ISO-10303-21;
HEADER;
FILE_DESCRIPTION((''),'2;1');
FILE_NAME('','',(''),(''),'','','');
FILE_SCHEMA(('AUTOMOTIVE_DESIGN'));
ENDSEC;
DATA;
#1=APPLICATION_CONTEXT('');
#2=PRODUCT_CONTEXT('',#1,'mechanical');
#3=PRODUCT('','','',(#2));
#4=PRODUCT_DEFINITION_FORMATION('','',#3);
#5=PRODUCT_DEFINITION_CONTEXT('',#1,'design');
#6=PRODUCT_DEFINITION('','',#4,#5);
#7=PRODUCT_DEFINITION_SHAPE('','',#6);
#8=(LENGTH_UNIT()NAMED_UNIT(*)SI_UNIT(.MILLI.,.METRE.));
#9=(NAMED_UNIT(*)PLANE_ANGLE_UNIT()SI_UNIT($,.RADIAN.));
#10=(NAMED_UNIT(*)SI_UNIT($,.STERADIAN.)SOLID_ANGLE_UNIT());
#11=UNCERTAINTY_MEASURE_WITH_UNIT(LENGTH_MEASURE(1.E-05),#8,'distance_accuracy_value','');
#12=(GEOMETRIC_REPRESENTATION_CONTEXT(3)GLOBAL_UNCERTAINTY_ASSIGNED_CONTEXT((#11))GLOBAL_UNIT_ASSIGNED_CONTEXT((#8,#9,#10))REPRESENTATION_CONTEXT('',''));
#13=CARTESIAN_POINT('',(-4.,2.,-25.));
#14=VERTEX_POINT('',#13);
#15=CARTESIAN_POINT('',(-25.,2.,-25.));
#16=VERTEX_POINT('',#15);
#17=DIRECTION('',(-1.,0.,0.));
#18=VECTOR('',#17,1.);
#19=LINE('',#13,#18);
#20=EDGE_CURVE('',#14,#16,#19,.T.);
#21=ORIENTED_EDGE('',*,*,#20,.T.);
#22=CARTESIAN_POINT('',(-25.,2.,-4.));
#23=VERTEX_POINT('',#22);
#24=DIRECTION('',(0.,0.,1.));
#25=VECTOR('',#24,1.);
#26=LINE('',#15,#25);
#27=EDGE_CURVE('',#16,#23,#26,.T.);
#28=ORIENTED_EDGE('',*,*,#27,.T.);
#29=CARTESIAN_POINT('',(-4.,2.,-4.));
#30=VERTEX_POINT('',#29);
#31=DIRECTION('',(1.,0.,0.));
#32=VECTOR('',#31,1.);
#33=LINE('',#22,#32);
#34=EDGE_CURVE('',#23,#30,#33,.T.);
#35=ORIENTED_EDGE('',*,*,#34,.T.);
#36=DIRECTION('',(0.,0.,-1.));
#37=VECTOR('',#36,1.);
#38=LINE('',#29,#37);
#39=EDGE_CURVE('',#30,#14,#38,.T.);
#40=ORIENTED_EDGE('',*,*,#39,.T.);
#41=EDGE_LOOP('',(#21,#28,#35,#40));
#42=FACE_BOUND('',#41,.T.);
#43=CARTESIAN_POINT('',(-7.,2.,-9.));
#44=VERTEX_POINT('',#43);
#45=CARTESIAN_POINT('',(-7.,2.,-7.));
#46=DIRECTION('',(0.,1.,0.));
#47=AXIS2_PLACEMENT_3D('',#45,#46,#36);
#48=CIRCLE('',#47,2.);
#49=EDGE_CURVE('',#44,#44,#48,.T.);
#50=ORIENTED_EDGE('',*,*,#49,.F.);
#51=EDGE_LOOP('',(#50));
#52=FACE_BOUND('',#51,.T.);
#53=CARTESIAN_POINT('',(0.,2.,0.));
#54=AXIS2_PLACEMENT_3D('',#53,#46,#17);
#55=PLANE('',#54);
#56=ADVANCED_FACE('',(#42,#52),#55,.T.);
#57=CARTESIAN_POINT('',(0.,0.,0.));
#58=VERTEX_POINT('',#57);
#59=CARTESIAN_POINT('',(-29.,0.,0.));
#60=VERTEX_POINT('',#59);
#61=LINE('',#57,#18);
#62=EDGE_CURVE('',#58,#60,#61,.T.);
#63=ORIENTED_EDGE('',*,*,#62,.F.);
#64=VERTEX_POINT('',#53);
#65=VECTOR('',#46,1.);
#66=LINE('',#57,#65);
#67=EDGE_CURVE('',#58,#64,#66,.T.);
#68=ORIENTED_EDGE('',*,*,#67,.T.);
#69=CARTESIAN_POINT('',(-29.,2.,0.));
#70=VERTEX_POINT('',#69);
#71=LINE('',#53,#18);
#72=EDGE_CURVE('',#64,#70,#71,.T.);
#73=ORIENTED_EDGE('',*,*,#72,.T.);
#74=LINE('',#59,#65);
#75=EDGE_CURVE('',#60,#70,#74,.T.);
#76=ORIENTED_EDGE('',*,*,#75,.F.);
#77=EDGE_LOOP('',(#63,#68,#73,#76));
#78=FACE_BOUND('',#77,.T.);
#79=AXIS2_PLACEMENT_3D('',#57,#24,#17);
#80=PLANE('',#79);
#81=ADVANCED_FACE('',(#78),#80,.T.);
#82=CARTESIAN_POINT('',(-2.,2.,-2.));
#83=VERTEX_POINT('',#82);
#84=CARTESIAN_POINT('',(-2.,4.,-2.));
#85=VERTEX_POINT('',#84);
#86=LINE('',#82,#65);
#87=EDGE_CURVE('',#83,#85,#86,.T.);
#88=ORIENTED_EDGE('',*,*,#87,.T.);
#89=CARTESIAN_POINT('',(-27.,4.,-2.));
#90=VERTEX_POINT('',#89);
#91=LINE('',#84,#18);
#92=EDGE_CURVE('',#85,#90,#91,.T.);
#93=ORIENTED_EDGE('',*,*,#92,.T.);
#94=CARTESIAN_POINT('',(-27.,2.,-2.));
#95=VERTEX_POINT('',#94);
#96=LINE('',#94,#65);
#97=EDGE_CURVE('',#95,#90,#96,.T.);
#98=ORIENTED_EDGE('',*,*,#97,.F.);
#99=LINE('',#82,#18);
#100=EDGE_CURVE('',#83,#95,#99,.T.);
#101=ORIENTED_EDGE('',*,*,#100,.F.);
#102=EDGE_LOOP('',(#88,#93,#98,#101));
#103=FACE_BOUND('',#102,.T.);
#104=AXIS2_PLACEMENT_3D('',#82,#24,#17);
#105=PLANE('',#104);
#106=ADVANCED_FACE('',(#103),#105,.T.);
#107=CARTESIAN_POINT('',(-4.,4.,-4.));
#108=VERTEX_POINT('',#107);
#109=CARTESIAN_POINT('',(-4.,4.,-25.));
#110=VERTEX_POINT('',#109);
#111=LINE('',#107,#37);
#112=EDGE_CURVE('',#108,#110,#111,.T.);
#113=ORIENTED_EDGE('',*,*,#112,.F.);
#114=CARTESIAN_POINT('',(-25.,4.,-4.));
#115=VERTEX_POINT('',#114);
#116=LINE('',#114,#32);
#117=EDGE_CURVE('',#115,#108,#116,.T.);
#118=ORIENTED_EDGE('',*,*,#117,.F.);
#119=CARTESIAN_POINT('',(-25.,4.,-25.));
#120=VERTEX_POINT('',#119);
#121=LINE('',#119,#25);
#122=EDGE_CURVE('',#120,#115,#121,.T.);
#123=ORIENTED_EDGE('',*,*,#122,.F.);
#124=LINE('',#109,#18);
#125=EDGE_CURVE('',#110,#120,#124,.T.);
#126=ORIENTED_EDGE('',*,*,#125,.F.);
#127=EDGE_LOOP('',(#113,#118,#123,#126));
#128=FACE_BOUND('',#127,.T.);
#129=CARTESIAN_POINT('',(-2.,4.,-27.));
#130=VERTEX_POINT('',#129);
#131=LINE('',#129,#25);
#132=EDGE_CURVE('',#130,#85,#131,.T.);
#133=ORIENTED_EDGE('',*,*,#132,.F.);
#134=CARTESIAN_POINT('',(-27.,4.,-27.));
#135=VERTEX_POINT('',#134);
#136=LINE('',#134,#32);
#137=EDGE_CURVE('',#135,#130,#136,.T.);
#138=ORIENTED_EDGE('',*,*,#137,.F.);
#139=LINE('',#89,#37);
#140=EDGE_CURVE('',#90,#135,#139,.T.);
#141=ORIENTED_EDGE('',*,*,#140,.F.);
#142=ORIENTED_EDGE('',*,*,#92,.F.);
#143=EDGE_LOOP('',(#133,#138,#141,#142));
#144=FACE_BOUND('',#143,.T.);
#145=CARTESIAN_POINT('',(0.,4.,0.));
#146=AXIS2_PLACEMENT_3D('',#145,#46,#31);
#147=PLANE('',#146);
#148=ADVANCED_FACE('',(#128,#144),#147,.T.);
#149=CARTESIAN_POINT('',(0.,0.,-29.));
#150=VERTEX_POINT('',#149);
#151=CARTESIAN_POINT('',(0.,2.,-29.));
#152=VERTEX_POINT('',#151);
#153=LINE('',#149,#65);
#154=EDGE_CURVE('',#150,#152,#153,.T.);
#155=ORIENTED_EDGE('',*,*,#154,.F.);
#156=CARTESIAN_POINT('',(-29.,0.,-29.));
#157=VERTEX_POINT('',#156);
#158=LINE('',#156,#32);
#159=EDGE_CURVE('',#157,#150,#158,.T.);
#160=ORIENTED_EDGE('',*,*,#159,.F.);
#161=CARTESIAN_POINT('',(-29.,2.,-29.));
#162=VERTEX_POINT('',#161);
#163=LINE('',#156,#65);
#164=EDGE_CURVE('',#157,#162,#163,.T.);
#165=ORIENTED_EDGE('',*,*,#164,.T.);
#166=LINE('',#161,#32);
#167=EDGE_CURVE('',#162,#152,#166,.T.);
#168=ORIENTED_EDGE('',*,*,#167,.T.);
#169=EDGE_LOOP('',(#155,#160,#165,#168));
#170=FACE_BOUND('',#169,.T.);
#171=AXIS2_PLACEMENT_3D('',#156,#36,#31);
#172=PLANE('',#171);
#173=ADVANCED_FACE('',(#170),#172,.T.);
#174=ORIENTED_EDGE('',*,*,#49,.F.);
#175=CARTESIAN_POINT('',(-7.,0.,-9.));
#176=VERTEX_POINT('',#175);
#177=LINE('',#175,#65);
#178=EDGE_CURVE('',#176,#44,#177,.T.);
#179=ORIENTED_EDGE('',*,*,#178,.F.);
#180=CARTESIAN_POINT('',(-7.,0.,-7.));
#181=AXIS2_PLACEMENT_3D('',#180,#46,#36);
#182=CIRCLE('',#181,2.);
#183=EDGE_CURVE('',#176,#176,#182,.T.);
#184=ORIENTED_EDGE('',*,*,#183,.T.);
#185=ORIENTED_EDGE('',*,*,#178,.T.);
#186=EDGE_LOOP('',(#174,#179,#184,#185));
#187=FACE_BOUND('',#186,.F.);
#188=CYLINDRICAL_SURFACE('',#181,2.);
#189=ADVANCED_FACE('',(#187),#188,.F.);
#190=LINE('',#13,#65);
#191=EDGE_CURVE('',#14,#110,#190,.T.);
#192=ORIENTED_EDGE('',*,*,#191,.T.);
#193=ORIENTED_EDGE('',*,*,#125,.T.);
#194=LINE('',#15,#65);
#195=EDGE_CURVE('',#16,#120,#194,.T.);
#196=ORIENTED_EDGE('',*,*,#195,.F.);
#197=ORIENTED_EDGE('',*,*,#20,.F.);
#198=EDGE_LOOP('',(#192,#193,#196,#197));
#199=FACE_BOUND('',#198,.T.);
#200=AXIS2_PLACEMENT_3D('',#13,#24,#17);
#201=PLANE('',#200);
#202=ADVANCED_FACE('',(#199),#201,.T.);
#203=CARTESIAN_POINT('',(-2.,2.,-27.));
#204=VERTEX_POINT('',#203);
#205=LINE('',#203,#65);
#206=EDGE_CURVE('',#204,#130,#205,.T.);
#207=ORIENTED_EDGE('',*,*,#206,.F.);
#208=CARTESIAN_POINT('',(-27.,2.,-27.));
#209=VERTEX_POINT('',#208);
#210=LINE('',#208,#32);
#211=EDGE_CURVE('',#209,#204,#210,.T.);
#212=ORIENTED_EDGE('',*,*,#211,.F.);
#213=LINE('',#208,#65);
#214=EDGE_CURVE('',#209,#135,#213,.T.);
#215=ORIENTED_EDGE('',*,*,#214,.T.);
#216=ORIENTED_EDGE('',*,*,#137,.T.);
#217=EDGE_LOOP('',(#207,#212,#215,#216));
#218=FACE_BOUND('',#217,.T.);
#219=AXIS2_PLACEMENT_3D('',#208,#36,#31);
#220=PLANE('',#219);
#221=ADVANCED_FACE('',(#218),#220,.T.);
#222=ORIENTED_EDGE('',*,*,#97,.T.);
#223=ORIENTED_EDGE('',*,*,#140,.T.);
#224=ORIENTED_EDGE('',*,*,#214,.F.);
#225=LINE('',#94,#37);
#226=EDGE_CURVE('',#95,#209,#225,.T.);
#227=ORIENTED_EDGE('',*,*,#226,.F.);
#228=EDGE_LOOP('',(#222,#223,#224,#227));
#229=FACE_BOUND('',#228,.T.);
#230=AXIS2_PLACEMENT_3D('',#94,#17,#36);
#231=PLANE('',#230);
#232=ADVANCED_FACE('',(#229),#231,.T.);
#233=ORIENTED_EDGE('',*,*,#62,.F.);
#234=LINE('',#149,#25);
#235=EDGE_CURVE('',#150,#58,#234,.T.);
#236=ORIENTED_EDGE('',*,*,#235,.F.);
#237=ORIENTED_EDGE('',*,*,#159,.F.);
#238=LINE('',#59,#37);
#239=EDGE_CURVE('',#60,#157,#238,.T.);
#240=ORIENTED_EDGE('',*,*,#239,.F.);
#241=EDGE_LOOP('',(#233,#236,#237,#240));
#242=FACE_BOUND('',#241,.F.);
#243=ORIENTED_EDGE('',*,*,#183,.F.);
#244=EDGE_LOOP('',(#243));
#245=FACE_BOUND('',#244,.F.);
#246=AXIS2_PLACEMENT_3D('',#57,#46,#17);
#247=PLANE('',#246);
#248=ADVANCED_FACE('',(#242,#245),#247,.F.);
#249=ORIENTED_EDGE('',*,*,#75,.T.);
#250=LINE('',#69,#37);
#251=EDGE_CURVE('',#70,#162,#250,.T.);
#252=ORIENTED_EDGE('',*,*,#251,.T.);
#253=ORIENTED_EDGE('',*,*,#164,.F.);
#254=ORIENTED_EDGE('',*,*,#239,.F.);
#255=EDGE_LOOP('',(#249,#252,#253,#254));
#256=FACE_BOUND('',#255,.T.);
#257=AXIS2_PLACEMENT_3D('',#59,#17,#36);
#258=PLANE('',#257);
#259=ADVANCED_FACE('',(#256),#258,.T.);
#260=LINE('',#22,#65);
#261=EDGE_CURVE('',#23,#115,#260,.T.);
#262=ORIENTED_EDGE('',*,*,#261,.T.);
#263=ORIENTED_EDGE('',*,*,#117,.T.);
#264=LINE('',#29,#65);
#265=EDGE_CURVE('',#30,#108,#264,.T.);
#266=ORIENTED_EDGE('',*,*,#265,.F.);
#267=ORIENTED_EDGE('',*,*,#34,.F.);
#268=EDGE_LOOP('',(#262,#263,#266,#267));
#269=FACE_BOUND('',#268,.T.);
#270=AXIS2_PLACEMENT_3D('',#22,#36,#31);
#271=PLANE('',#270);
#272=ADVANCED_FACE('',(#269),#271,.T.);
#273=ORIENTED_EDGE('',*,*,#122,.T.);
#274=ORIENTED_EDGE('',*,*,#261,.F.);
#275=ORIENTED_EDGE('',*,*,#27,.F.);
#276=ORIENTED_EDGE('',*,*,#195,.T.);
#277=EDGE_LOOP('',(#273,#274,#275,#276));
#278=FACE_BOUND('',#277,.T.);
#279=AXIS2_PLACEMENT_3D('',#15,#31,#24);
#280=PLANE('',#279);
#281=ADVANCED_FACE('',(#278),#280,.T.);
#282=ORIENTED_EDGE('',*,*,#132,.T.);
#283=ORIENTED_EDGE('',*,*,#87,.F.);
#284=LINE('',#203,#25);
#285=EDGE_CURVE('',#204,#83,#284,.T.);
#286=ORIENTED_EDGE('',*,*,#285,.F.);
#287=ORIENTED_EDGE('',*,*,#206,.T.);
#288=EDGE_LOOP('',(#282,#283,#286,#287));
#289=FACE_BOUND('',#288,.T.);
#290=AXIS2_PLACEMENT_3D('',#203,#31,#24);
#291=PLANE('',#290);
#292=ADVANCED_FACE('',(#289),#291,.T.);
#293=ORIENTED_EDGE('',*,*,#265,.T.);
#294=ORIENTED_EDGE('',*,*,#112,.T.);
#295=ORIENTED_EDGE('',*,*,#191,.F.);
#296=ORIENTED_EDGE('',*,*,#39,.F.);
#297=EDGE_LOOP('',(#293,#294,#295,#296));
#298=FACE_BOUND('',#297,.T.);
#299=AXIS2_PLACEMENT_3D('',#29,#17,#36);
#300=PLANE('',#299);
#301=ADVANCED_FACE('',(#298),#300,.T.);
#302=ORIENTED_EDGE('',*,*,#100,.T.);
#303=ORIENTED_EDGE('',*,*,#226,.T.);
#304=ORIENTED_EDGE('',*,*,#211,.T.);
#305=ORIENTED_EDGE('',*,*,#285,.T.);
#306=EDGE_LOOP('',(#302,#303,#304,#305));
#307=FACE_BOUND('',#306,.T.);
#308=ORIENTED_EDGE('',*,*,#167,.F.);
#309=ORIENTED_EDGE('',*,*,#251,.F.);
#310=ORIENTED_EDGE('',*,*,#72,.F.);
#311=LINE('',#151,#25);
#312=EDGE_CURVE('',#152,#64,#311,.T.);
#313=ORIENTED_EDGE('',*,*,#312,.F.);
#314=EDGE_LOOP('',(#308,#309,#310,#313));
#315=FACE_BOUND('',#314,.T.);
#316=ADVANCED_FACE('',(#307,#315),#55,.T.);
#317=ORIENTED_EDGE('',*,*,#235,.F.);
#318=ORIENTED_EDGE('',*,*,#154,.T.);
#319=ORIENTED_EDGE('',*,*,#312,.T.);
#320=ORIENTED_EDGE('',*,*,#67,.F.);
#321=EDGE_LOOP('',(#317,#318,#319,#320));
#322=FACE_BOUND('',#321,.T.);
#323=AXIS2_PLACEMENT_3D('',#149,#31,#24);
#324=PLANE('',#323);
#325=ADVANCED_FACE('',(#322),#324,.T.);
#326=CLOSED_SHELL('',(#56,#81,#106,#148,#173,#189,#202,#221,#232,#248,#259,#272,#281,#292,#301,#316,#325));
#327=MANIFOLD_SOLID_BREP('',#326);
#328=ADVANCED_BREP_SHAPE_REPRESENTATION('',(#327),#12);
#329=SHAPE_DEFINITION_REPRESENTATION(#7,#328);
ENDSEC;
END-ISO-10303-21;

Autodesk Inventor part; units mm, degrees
ref_plane "YZ Plane" through (0, 0, 0) normal (1, 0, 0) x (0, 1, 0)
ref_plane "XZ Plane" through (0, 0, 0) normal (0, 1, 0) x (-1, 0, 0)
ref_plane "XY Plane" through (0, 0, 0) normal (0, 0, 1) x (1, 0, 0)
sketch "Sketch3" plane through (0, 0, 0) normal (0, 1, 0) x (-1, 0, 0)
  line L0 (0, 0) -> (29, 0)
  line L1 (29, 0) -> (29, -29)
  line L2 (29, -29) -> (0, -29)
  line L3 (0, -29) -> (0, 0)
  dimension "d8" = 29
  dimension "d9" = 29
extrude "Extrusion3" add sketch "Sketch3" along normal blind 2
sketch "Sketch4" plane through (0, 2, 0) normal (0, 1, 0) x (1, 0, 0)
  line L0 (-29, 29) -> (-29, 0) projected
  line L1 (-29, 0) -> (0, 0) projected
  line L2 (0, 0) -> (0, 29) projected
  line L3 (0, 29) -> (-29, 29) projected
  line L4 (-27, 2) -> (-27, 27)
  line L5 (-27, 27) -> (-2, 27)
  line L6 (-2, 27) -> (-2, 2)
  line L7 (-2, 2) -> (-27, 2)
  line L8 (-25, 25) -> (-25, 4)
  line L9 (-25, 4) -> (-4, 4)
  line L10 (-4, 4) -> (-4, 25)
  line L11 (-4, 25) -> (-25, 25)
  dimension "d12" = 2
  dimension "d13" = 2
extrude "Extrusion4" add sketch "Sketch4" along normal blind 2 contours L4 L5 L6 L7
sketch "Sketch5" plane through (0, 0, 0) normal (0, -1, 0) x (1, 0, 0)
  line L0 (-4, -4) -> (-4, -25) projected
  line L1 (-4, -25) -> (-25, -25) projected
  line L2 (-25, -25) -> (-25, -4) projected
  line L3 (-25, -4) -> (-4, -4) projected
  line L4 (-4, -4) -> (-7, -4)
  line L5 (-7, -4) -> (-7, -7)
  line L6 (-7, -7) -> (-4, -7)
  line L7 (-4, -7) -> (-4, -4)
  point P0 (0, 0)
  dimension "d16" = 3
  dimension "d17" = 3
hole "Hole1" at (-7, 0, -7) direction (0, 1, 0) diameter 4 end through all
properties part number "waterBallonHolderCapv2"
